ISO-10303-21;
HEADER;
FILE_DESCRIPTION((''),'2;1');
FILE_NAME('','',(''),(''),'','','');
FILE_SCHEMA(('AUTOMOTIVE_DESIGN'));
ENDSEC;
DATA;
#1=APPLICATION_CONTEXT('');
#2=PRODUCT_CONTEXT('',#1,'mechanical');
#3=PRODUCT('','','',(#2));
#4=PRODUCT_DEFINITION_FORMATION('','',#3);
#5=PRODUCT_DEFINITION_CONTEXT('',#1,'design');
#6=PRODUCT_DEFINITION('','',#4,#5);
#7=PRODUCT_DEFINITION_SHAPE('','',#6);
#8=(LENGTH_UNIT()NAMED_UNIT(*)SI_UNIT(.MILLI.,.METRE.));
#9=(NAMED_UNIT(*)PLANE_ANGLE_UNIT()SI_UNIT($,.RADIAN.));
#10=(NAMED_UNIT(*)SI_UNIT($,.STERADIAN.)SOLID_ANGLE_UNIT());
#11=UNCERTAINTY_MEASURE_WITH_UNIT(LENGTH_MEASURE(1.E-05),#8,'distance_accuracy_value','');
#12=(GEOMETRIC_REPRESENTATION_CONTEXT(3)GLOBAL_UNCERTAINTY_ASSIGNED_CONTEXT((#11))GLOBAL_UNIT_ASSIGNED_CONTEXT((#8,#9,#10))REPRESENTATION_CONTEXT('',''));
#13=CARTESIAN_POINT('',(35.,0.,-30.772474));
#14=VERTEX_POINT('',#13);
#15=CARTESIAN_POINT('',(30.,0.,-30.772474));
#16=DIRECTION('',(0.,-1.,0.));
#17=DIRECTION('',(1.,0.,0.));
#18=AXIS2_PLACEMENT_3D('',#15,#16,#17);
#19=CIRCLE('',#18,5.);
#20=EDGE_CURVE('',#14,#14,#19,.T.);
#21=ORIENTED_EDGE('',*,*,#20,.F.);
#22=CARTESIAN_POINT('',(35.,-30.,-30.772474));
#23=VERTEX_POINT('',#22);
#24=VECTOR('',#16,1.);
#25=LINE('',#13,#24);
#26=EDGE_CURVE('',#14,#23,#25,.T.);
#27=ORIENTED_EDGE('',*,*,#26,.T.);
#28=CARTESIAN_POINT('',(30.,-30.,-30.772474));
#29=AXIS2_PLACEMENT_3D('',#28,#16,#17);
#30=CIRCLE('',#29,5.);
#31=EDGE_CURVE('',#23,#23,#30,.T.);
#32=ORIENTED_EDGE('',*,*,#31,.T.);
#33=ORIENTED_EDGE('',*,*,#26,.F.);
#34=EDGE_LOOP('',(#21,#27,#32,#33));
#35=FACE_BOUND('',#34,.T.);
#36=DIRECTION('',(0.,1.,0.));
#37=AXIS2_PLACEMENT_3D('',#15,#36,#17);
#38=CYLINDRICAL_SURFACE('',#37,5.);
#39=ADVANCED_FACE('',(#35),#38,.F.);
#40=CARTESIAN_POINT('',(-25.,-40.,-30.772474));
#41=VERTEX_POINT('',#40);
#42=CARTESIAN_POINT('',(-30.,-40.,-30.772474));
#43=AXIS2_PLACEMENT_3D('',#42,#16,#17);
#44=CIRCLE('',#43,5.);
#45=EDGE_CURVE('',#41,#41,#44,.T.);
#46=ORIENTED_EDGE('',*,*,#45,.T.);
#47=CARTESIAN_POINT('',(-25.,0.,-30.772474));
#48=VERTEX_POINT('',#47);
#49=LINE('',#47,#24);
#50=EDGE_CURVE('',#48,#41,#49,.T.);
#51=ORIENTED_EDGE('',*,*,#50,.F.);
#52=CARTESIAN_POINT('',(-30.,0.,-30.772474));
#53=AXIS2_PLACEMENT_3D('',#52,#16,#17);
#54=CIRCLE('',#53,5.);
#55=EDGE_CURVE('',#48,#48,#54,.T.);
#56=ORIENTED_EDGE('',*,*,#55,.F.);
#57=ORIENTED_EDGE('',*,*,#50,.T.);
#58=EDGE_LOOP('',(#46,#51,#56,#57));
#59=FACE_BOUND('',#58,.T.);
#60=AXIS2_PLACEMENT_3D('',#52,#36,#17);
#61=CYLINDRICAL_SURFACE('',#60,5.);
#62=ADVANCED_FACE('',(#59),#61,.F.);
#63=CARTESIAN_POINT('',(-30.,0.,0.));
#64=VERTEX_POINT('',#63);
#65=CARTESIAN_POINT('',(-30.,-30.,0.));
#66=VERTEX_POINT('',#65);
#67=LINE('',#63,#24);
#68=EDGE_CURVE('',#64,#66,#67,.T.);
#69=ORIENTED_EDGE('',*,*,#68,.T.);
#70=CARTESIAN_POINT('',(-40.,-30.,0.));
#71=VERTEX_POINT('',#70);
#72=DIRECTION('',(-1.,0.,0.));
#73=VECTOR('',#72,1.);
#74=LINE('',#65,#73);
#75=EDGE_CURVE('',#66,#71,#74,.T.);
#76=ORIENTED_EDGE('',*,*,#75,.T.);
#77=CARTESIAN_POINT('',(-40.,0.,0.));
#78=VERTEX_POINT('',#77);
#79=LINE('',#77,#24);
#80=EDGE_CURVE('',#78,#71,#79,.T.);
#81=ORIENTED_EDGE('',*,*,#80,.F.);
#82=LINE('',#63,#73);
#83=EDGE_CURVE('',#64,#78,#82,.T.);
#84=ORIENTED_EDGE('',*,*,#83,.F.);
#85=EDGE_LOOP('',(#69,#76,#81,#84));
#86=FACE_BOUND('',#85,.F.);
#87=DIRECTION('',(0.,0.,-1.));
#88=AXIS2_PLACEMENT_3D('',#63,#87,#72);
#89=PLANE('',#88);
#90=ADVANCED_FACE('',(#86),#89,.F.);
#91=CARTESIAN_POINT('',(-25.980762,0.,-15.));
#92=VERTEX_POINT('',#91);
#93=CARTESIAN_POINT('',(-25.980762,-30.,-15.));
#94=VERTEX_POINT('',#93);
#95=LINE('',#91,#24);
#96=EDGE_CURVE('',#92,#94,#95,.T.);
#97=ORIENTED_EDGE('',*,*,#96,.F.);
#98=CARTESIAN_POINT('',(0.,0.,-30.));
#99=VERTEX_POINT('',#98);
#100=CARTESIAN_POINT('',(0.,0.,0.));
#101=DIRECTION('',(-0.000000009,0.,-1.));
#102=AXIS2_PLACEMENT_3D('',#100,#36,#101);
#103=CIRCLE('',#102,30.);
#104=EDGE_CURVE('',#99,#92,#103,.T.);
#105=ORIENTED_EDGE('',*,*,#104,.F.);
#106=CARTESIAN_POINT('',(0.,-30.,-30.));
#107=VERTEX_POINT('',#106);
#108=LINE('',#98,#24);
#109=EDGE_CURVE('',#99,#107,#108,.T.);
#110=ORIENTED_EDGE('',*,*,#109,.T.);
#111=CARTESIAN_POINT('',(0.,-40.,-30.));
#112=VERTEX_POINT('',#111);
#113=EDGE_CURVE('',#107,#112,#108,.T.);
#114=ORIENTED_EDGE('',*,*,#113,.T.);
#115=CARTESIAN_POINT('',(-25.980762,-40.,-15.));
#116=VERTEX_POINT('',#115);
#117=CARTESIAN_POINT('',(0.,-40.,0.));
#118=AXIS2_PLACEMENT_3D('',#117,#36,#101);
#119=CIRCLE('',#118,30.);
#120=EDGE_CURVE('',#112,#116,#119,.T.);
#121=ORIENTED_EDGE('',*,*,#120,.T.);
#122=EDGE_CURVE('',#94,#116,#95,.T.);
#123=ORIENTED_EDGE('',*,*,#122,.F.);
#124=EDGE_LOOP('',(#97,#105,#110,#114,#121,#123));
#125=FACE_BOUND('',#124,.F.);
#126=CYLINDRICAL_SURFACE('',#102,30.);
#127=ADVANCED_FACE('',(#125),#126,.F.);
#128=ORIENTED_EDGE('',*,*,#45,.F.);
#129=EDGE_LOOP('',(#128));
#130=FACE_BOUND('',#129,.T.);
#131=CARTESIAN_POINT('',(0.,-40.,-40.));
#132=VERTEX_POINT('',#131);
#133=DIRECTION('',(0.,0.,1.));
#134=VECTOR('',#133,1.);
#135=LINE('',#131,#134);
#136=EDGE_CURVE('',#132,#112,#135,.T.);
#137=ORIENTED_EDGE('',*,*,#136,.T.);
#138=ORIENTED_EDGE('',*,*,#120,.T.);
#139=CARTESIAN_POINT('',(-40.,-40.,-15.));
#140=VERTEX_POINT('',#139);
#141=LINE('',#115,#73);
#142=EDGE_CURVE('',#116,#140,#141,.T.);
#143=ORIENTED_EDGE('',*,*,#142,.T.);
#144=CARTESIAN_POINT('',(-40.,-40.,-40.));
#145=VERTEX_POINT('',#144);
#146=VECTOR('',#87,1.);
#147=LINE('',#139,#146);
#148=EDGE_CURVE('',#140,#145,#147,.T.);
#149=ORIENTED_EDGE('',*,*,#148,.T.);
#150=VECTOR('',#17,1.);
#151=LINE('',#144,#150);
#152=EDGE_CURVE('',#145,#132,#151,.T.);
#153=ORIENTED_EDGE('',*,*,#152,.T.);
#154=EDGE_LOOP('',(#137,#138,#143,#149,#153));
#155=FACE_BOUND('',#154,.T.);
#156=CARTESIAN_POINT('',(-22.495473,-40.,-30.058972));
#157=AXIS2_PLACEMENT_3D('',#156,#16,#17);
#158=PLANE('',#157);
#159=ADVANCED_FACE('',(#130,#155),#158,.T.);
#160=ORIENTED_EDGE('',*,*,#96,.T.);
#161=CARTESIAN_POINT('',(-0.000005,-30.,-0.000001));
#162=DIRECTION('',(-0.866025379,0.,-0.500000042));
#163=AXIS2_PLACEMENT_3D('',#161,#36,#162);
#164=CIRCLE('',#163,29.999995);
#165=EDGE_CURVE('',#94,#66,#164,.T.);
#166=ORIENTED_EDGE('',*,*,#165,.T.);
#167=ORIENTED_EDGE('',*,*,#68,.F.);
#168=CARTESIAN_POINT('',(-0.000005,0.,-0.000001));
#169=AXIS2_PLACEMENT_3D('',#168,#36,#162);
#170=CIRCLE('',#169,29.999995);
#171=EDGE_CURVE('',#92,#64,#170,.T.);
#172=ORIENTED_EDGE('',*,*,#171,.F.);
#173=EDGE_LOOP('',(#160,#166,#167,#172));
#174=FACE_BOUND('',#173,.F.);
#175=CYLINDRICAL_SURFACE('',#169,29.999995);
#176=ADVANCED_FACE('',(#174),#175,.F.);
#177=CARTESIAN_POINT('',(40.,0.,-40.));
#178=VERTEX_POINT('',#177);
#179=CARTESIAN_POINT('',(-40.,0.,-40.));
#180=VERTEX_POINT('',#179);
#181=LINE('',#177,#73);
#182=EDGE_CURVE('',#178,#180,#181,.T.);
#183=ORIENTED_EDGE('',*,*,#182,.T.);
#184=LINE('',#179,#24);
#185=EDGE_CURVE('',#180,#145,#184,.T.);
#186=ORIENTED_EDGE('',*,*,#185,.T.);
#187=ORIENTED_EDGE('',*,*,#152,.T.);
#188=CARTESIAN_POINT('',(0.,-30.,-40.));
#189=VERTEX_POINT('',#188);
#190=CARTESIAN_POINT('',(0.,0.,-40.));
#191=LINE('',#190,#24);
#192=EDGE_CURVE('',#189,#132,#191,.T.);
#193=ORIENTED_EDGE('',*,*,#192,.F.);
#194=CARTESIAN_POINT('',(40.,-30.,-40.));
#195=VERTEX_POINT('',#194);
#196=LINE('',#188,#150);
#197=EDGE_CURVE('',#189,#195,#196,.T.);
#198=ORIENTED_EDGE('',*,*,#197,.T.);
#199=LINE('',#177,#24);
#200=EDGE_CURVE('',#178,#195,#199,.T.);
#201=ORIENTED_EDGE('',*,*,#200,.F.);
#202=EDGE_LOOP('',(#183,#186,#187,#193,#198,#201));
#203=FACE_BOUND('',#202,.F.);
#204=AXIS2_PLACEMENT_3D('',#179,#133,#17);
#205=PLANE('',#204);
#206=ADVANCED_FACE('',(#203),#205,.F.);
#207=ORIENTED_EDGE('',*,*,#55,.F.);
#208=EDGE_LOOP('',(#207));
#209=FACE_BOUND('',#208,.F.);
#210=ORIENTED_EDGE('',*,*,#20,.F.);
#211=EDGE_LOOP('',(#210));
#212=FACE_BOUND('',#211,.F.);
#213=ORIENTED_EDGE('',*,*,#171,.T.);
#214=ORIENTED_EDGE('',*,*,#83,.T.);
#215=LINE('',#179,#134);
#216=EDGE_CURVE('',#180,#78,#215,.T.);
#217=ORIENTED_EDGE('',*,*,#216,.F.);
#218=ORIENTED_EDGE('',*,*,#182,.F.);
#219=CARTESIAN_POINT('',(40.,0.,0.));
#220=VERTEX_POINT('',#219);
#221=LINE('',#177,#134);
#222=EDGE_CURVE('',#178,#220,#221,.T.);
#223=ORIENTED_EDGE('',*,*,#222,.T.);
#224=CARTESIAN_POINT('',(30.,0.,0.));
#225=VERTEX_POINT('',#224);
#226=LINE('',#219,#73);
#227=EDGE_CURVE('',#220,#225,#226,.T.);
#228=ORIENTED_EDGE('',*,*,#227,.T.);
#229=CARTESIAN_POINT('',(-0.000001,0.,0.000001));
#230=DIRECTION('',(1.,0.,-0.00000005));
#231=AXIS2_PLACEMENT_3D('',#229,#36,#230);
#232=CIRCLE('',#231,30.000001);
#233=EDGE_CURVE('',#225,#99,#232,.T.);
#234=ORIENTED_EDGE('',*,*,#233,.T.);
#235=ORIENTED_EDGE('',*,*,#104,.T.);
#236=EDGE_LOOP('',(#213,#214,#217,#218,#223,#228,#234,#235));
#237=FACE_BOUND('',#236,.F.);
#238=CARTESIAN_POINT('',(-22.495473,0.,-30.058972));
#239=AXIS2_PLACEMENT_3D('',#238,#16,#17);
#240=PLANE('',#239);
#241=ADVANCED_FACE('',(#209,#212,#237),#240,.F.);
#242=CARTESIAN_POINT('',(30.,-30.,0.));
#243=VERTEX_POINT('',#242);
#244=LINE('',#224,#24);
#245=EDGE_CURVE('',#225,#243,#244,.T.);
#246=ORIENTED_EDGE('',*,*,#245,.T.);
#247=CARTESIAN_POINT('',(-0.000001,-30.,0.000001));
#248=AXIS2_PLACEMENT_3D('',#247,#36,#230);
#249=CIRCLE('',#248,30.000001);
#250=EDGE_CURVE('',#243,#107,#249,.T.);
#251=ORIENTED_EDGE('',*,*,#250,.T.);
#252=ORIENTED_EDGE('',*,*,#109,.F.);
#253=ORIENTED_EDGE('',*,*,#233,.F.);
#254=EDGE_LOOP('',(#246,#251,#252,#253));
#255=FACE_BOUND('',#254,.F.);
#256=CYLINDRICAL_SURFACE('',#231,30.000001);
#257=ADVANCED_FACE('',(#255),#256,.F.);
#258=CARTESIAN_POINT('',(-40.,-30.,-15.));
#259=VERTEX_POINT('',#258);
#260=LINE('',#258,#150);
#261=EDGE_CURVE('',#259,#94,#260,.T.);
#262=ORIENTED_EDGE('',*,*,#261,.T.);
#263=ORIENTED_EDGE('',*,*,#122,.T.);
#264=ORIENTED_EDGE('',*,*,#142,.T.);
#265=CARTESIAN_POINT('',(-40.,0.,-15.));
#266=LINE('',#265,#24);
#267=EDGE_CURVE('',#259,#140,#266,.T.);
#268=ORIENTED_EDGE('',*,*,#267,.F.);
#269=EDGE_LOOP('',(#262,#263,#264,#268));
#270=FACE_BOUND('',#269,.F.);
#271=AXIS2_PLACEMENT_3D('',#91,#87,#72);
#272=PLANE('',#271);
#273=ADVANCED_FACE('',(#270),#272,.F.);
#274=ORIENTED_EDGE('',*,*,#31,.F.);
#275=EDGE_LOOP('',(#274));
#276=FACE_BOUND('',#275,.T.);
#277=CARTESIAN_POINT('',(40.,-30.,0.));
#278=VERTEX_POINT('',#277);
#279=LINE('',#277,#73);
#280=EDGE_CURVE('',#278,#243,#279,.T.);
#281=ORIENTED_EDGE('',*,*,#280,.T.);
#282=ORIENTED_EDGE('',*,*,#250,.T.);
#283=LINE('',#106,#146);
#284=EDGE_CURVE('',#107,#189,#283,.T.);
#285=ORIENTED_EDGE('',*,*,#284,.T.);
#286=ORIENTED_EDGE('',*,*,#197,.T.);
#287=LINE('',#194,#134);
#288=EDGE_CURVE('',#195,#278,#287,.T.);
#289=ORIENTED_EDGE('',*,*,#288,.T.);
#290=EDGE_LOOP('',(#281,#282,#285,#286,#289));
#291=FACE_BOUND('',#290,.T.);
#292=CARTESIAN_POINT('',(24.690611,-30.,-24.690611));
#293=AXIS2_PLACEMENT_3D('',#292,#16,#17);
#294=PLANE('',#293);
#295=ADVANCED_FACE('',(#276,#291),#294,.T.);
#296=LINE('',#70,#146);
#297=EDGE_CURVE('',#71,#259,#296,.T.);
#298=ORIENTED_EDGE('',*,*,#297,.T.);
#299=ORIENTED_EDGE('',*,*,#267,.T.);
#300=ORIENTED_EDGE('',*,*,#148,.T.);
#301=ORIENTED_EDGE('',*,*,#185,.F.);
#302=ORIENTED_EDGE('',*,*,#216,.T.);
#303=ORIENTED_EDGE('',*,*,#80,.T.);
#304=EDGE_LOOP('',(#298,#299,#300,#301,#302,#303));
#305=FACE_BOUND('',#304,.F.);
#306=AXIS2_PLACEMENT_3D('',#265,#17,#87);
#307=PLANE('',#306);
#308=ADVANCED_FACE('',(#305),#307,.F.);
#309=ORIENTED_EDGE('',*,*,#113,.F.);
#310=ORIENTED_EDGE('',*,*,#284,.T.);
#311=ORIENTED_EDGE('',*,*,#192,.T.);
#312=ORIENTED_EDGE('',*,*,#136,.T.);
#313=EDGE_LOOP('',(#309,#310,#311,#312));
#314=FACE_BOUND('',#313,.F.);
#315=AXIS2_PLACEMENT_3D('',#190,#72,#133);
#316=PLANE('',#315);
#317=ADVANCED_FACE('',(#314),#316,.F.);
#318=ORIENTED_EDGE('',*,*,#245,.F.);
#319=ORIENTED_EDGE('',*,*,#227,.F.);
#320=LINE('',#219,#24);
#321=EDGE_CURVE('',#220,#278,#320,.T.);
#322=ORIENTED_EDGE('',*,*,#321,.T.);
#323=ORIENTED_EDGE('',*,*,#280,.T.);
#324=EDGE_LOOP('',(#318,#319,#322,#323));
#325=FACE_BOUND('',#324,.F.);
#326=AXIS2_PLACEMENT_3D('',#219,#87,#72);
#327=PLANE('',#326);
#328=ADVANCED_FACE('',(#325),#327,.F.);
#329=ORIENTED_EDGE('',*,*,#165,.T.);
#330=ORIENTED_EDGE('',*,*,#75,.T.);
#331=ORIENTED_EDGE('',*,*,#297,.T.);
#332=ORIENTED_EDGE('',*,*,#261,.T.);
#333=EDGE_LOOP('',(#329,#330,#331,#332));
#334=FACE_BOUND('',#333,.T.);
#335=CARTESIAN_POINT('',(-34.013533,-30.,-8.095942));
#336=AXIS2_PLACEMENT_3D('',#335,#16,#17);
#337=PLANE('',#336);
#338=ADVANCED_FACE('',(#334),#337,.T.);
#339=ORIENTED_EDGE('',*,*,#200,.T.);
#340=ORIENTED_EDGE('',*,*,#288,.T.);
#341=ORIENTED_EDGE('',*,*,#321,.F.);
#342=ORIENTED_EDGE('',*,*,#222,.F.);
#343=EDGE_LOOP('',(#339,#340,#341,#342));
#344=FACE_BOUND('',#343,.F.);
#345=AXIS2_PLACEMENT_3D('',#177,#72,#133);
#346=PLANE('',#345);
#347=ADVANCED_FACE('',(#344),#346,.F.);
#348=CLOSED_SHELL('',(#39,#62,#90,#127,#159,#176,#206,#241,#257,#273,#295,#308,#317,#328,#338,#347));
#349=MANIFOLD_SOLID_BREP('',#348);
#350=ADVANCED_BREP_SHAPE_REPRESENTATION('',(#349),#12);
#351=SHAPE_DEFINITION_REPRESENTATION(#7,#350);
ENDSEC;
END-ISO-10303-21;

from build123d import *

# Parameters (mm, degrees)
F0_R     = 5
F1_DEPTH = 30
F2_DEPTH = 40


with BuildPart() as f1:
    # F0 (on Front) → F1 (new body)
    with BuildSketch(Plane.XZ):
        with BuildLine():
            ThreePointArc((30, 0), (21.213203, -21.213203), (0, -30))
            Line((0, -30), (0, -40))
            Line((0, -40), (40, -40))
            Line((40, -40), (40, 0))
            Line((40, 0), (30, 0))
        make_face()
        with Locations((30, -30.772474)):
            Circle(F0_R, mode=Mode.SUBTRACT)
        with BuildLine():
            ThreePointArc((-25.980762, -15), (-28.977775, -7.764571), (-30, 0))
            Line((-30, 0), (-40, 0))
            Line((-40, 0), (-40, -15))
            Line((-40, -15), (-25.980762, -15))
        make_face()
    extrude(amount=F1_DEPTH)

    # F0 (on Front) → F2 (join)
    with BuildSketch(Plane.XZ):
        with BuildLine():
            ThreePointArc((0, -30), (-15, -25.980762), (-25.980762, -15))
            Line((-25.980762, -15), (-40, -15))
            Line((-40, -15), (-40, -40))
            Line((-40, -40), (0, -40))
            Line((0, -40), (0, -30))
        make_face()
        with Locations((-30, -30.772474)):
            Circle(F0_R, mode=Mode.SUBTRACT)
    extrude(amount=F2_DEPTH)


solid = f1.part
